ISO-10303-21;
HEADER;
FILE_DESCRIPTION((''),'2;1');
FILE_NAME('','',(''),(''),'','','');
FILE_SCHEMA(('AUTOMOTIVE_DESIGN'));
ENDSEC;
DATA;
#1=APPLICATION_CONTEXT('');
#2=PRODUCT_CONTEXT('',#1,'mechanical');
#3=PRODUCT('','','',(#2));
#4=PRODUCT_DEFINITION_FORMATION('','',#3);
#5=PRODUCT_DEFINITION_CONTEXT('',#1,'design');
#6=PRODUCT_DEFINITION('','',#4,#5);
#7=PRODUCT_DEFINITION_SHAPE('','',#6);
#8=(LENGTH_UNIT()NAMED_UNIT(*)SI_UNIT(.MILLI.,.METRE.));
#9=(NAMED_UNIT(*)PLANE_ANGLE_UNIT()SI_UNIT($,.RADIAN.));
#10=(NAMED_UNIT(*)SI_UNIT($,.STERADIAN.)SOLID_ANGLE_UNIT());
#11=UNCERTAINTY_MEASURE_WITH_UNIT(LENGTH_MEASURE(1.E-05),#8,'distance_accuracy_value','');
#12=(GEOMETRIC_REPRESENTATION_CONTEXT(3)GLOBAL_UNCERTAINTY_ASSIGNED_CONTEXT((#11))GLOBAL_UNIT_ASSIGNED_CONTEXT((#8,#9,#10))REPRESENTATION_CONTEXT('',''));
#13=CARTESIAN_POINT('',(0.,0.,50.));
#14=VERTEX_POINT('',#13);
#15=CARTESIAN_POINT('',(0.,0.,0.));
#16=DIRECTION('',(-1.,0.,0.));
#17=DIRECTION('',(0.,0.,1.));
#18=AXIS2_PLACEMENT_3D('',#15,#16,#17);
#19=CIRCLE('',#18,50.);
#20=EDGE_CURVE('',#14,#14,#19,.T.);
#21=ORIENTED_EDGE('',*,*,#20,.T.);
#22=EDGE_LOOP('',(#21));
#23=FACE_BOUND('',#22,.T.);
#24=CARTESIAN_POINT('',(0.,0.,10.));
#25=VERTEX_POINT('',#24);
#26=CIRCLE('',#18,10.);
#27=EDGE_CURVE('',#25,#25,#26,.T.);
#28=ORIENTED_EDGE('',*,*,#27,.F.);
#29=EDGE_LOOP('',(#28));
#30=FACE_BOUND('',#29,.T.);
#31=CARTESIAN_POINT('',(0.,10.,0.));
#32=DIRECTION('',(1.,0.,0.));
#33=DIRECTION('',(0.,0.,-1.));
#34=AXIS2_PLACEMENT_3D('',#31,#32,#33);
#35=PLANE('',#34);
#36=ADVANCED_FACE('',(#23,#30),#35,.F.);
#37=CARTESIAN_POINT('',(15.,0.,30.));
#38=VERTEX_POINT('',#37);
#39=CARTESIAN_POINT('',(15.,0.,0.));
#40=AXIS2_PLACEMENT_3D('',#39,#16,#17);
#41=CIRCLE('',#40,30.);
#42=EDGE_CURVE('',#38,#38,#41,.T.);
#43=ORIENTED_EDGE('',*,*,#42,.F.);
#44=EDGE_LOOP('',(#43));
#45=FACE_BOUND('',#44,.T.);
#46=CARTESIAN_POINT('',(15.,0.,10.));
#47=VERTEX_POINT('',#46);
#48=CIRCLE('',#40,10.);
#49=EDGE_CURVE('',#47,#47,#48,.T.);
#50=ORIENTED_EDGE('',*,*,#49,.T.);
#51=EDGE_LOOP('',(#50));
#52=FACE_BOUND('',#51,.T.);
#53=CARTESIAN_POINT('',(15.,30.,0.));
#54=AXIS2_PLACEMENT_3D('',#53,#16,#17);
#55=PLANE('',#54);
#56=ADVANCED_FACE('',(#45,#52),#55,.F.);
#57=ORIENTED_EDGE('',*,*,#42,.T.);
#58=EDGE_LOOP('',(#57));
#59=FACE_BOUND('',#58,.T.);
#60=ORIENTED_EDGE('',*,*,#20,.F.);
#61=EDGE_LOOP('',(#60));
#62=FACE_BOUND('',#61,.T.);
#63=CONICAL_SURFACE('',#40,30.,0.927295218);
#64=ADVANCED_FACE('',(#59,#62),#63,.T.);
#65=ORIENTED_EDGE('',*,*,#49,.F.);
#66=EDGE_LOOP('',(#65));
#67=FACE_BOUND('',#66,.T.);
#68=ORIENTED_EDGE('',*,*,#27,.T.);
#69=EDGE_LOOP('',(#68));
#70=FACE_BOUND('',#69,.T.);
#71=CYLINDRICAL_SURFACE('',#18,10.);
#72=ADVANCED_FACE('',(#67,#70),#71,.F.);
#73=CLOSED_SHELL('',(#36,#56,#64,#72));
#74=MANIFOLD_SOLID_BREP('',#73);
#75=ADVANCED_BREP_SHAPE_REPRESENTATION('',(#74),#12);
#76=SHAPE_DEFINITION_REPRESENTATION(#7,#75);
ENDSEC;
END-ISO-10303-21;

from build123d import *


with BuildPart() as part:
    # Sketch2 → Revolve1 (revolve)
    with BuildSketch(Plane.XY, mode=Mode.PRIVATE) as revolve1_sk:
        Polygon((0, 10), (0, 50), (15, 30), (15, 10), align=None)
    revolve(revolve1_sk.sketch.rotate(Axis((0, 0, 0), (1, 0, 0)), 90), axis=Axis((0, 0, 0), (1, 0, 0)))


solid = part.part
